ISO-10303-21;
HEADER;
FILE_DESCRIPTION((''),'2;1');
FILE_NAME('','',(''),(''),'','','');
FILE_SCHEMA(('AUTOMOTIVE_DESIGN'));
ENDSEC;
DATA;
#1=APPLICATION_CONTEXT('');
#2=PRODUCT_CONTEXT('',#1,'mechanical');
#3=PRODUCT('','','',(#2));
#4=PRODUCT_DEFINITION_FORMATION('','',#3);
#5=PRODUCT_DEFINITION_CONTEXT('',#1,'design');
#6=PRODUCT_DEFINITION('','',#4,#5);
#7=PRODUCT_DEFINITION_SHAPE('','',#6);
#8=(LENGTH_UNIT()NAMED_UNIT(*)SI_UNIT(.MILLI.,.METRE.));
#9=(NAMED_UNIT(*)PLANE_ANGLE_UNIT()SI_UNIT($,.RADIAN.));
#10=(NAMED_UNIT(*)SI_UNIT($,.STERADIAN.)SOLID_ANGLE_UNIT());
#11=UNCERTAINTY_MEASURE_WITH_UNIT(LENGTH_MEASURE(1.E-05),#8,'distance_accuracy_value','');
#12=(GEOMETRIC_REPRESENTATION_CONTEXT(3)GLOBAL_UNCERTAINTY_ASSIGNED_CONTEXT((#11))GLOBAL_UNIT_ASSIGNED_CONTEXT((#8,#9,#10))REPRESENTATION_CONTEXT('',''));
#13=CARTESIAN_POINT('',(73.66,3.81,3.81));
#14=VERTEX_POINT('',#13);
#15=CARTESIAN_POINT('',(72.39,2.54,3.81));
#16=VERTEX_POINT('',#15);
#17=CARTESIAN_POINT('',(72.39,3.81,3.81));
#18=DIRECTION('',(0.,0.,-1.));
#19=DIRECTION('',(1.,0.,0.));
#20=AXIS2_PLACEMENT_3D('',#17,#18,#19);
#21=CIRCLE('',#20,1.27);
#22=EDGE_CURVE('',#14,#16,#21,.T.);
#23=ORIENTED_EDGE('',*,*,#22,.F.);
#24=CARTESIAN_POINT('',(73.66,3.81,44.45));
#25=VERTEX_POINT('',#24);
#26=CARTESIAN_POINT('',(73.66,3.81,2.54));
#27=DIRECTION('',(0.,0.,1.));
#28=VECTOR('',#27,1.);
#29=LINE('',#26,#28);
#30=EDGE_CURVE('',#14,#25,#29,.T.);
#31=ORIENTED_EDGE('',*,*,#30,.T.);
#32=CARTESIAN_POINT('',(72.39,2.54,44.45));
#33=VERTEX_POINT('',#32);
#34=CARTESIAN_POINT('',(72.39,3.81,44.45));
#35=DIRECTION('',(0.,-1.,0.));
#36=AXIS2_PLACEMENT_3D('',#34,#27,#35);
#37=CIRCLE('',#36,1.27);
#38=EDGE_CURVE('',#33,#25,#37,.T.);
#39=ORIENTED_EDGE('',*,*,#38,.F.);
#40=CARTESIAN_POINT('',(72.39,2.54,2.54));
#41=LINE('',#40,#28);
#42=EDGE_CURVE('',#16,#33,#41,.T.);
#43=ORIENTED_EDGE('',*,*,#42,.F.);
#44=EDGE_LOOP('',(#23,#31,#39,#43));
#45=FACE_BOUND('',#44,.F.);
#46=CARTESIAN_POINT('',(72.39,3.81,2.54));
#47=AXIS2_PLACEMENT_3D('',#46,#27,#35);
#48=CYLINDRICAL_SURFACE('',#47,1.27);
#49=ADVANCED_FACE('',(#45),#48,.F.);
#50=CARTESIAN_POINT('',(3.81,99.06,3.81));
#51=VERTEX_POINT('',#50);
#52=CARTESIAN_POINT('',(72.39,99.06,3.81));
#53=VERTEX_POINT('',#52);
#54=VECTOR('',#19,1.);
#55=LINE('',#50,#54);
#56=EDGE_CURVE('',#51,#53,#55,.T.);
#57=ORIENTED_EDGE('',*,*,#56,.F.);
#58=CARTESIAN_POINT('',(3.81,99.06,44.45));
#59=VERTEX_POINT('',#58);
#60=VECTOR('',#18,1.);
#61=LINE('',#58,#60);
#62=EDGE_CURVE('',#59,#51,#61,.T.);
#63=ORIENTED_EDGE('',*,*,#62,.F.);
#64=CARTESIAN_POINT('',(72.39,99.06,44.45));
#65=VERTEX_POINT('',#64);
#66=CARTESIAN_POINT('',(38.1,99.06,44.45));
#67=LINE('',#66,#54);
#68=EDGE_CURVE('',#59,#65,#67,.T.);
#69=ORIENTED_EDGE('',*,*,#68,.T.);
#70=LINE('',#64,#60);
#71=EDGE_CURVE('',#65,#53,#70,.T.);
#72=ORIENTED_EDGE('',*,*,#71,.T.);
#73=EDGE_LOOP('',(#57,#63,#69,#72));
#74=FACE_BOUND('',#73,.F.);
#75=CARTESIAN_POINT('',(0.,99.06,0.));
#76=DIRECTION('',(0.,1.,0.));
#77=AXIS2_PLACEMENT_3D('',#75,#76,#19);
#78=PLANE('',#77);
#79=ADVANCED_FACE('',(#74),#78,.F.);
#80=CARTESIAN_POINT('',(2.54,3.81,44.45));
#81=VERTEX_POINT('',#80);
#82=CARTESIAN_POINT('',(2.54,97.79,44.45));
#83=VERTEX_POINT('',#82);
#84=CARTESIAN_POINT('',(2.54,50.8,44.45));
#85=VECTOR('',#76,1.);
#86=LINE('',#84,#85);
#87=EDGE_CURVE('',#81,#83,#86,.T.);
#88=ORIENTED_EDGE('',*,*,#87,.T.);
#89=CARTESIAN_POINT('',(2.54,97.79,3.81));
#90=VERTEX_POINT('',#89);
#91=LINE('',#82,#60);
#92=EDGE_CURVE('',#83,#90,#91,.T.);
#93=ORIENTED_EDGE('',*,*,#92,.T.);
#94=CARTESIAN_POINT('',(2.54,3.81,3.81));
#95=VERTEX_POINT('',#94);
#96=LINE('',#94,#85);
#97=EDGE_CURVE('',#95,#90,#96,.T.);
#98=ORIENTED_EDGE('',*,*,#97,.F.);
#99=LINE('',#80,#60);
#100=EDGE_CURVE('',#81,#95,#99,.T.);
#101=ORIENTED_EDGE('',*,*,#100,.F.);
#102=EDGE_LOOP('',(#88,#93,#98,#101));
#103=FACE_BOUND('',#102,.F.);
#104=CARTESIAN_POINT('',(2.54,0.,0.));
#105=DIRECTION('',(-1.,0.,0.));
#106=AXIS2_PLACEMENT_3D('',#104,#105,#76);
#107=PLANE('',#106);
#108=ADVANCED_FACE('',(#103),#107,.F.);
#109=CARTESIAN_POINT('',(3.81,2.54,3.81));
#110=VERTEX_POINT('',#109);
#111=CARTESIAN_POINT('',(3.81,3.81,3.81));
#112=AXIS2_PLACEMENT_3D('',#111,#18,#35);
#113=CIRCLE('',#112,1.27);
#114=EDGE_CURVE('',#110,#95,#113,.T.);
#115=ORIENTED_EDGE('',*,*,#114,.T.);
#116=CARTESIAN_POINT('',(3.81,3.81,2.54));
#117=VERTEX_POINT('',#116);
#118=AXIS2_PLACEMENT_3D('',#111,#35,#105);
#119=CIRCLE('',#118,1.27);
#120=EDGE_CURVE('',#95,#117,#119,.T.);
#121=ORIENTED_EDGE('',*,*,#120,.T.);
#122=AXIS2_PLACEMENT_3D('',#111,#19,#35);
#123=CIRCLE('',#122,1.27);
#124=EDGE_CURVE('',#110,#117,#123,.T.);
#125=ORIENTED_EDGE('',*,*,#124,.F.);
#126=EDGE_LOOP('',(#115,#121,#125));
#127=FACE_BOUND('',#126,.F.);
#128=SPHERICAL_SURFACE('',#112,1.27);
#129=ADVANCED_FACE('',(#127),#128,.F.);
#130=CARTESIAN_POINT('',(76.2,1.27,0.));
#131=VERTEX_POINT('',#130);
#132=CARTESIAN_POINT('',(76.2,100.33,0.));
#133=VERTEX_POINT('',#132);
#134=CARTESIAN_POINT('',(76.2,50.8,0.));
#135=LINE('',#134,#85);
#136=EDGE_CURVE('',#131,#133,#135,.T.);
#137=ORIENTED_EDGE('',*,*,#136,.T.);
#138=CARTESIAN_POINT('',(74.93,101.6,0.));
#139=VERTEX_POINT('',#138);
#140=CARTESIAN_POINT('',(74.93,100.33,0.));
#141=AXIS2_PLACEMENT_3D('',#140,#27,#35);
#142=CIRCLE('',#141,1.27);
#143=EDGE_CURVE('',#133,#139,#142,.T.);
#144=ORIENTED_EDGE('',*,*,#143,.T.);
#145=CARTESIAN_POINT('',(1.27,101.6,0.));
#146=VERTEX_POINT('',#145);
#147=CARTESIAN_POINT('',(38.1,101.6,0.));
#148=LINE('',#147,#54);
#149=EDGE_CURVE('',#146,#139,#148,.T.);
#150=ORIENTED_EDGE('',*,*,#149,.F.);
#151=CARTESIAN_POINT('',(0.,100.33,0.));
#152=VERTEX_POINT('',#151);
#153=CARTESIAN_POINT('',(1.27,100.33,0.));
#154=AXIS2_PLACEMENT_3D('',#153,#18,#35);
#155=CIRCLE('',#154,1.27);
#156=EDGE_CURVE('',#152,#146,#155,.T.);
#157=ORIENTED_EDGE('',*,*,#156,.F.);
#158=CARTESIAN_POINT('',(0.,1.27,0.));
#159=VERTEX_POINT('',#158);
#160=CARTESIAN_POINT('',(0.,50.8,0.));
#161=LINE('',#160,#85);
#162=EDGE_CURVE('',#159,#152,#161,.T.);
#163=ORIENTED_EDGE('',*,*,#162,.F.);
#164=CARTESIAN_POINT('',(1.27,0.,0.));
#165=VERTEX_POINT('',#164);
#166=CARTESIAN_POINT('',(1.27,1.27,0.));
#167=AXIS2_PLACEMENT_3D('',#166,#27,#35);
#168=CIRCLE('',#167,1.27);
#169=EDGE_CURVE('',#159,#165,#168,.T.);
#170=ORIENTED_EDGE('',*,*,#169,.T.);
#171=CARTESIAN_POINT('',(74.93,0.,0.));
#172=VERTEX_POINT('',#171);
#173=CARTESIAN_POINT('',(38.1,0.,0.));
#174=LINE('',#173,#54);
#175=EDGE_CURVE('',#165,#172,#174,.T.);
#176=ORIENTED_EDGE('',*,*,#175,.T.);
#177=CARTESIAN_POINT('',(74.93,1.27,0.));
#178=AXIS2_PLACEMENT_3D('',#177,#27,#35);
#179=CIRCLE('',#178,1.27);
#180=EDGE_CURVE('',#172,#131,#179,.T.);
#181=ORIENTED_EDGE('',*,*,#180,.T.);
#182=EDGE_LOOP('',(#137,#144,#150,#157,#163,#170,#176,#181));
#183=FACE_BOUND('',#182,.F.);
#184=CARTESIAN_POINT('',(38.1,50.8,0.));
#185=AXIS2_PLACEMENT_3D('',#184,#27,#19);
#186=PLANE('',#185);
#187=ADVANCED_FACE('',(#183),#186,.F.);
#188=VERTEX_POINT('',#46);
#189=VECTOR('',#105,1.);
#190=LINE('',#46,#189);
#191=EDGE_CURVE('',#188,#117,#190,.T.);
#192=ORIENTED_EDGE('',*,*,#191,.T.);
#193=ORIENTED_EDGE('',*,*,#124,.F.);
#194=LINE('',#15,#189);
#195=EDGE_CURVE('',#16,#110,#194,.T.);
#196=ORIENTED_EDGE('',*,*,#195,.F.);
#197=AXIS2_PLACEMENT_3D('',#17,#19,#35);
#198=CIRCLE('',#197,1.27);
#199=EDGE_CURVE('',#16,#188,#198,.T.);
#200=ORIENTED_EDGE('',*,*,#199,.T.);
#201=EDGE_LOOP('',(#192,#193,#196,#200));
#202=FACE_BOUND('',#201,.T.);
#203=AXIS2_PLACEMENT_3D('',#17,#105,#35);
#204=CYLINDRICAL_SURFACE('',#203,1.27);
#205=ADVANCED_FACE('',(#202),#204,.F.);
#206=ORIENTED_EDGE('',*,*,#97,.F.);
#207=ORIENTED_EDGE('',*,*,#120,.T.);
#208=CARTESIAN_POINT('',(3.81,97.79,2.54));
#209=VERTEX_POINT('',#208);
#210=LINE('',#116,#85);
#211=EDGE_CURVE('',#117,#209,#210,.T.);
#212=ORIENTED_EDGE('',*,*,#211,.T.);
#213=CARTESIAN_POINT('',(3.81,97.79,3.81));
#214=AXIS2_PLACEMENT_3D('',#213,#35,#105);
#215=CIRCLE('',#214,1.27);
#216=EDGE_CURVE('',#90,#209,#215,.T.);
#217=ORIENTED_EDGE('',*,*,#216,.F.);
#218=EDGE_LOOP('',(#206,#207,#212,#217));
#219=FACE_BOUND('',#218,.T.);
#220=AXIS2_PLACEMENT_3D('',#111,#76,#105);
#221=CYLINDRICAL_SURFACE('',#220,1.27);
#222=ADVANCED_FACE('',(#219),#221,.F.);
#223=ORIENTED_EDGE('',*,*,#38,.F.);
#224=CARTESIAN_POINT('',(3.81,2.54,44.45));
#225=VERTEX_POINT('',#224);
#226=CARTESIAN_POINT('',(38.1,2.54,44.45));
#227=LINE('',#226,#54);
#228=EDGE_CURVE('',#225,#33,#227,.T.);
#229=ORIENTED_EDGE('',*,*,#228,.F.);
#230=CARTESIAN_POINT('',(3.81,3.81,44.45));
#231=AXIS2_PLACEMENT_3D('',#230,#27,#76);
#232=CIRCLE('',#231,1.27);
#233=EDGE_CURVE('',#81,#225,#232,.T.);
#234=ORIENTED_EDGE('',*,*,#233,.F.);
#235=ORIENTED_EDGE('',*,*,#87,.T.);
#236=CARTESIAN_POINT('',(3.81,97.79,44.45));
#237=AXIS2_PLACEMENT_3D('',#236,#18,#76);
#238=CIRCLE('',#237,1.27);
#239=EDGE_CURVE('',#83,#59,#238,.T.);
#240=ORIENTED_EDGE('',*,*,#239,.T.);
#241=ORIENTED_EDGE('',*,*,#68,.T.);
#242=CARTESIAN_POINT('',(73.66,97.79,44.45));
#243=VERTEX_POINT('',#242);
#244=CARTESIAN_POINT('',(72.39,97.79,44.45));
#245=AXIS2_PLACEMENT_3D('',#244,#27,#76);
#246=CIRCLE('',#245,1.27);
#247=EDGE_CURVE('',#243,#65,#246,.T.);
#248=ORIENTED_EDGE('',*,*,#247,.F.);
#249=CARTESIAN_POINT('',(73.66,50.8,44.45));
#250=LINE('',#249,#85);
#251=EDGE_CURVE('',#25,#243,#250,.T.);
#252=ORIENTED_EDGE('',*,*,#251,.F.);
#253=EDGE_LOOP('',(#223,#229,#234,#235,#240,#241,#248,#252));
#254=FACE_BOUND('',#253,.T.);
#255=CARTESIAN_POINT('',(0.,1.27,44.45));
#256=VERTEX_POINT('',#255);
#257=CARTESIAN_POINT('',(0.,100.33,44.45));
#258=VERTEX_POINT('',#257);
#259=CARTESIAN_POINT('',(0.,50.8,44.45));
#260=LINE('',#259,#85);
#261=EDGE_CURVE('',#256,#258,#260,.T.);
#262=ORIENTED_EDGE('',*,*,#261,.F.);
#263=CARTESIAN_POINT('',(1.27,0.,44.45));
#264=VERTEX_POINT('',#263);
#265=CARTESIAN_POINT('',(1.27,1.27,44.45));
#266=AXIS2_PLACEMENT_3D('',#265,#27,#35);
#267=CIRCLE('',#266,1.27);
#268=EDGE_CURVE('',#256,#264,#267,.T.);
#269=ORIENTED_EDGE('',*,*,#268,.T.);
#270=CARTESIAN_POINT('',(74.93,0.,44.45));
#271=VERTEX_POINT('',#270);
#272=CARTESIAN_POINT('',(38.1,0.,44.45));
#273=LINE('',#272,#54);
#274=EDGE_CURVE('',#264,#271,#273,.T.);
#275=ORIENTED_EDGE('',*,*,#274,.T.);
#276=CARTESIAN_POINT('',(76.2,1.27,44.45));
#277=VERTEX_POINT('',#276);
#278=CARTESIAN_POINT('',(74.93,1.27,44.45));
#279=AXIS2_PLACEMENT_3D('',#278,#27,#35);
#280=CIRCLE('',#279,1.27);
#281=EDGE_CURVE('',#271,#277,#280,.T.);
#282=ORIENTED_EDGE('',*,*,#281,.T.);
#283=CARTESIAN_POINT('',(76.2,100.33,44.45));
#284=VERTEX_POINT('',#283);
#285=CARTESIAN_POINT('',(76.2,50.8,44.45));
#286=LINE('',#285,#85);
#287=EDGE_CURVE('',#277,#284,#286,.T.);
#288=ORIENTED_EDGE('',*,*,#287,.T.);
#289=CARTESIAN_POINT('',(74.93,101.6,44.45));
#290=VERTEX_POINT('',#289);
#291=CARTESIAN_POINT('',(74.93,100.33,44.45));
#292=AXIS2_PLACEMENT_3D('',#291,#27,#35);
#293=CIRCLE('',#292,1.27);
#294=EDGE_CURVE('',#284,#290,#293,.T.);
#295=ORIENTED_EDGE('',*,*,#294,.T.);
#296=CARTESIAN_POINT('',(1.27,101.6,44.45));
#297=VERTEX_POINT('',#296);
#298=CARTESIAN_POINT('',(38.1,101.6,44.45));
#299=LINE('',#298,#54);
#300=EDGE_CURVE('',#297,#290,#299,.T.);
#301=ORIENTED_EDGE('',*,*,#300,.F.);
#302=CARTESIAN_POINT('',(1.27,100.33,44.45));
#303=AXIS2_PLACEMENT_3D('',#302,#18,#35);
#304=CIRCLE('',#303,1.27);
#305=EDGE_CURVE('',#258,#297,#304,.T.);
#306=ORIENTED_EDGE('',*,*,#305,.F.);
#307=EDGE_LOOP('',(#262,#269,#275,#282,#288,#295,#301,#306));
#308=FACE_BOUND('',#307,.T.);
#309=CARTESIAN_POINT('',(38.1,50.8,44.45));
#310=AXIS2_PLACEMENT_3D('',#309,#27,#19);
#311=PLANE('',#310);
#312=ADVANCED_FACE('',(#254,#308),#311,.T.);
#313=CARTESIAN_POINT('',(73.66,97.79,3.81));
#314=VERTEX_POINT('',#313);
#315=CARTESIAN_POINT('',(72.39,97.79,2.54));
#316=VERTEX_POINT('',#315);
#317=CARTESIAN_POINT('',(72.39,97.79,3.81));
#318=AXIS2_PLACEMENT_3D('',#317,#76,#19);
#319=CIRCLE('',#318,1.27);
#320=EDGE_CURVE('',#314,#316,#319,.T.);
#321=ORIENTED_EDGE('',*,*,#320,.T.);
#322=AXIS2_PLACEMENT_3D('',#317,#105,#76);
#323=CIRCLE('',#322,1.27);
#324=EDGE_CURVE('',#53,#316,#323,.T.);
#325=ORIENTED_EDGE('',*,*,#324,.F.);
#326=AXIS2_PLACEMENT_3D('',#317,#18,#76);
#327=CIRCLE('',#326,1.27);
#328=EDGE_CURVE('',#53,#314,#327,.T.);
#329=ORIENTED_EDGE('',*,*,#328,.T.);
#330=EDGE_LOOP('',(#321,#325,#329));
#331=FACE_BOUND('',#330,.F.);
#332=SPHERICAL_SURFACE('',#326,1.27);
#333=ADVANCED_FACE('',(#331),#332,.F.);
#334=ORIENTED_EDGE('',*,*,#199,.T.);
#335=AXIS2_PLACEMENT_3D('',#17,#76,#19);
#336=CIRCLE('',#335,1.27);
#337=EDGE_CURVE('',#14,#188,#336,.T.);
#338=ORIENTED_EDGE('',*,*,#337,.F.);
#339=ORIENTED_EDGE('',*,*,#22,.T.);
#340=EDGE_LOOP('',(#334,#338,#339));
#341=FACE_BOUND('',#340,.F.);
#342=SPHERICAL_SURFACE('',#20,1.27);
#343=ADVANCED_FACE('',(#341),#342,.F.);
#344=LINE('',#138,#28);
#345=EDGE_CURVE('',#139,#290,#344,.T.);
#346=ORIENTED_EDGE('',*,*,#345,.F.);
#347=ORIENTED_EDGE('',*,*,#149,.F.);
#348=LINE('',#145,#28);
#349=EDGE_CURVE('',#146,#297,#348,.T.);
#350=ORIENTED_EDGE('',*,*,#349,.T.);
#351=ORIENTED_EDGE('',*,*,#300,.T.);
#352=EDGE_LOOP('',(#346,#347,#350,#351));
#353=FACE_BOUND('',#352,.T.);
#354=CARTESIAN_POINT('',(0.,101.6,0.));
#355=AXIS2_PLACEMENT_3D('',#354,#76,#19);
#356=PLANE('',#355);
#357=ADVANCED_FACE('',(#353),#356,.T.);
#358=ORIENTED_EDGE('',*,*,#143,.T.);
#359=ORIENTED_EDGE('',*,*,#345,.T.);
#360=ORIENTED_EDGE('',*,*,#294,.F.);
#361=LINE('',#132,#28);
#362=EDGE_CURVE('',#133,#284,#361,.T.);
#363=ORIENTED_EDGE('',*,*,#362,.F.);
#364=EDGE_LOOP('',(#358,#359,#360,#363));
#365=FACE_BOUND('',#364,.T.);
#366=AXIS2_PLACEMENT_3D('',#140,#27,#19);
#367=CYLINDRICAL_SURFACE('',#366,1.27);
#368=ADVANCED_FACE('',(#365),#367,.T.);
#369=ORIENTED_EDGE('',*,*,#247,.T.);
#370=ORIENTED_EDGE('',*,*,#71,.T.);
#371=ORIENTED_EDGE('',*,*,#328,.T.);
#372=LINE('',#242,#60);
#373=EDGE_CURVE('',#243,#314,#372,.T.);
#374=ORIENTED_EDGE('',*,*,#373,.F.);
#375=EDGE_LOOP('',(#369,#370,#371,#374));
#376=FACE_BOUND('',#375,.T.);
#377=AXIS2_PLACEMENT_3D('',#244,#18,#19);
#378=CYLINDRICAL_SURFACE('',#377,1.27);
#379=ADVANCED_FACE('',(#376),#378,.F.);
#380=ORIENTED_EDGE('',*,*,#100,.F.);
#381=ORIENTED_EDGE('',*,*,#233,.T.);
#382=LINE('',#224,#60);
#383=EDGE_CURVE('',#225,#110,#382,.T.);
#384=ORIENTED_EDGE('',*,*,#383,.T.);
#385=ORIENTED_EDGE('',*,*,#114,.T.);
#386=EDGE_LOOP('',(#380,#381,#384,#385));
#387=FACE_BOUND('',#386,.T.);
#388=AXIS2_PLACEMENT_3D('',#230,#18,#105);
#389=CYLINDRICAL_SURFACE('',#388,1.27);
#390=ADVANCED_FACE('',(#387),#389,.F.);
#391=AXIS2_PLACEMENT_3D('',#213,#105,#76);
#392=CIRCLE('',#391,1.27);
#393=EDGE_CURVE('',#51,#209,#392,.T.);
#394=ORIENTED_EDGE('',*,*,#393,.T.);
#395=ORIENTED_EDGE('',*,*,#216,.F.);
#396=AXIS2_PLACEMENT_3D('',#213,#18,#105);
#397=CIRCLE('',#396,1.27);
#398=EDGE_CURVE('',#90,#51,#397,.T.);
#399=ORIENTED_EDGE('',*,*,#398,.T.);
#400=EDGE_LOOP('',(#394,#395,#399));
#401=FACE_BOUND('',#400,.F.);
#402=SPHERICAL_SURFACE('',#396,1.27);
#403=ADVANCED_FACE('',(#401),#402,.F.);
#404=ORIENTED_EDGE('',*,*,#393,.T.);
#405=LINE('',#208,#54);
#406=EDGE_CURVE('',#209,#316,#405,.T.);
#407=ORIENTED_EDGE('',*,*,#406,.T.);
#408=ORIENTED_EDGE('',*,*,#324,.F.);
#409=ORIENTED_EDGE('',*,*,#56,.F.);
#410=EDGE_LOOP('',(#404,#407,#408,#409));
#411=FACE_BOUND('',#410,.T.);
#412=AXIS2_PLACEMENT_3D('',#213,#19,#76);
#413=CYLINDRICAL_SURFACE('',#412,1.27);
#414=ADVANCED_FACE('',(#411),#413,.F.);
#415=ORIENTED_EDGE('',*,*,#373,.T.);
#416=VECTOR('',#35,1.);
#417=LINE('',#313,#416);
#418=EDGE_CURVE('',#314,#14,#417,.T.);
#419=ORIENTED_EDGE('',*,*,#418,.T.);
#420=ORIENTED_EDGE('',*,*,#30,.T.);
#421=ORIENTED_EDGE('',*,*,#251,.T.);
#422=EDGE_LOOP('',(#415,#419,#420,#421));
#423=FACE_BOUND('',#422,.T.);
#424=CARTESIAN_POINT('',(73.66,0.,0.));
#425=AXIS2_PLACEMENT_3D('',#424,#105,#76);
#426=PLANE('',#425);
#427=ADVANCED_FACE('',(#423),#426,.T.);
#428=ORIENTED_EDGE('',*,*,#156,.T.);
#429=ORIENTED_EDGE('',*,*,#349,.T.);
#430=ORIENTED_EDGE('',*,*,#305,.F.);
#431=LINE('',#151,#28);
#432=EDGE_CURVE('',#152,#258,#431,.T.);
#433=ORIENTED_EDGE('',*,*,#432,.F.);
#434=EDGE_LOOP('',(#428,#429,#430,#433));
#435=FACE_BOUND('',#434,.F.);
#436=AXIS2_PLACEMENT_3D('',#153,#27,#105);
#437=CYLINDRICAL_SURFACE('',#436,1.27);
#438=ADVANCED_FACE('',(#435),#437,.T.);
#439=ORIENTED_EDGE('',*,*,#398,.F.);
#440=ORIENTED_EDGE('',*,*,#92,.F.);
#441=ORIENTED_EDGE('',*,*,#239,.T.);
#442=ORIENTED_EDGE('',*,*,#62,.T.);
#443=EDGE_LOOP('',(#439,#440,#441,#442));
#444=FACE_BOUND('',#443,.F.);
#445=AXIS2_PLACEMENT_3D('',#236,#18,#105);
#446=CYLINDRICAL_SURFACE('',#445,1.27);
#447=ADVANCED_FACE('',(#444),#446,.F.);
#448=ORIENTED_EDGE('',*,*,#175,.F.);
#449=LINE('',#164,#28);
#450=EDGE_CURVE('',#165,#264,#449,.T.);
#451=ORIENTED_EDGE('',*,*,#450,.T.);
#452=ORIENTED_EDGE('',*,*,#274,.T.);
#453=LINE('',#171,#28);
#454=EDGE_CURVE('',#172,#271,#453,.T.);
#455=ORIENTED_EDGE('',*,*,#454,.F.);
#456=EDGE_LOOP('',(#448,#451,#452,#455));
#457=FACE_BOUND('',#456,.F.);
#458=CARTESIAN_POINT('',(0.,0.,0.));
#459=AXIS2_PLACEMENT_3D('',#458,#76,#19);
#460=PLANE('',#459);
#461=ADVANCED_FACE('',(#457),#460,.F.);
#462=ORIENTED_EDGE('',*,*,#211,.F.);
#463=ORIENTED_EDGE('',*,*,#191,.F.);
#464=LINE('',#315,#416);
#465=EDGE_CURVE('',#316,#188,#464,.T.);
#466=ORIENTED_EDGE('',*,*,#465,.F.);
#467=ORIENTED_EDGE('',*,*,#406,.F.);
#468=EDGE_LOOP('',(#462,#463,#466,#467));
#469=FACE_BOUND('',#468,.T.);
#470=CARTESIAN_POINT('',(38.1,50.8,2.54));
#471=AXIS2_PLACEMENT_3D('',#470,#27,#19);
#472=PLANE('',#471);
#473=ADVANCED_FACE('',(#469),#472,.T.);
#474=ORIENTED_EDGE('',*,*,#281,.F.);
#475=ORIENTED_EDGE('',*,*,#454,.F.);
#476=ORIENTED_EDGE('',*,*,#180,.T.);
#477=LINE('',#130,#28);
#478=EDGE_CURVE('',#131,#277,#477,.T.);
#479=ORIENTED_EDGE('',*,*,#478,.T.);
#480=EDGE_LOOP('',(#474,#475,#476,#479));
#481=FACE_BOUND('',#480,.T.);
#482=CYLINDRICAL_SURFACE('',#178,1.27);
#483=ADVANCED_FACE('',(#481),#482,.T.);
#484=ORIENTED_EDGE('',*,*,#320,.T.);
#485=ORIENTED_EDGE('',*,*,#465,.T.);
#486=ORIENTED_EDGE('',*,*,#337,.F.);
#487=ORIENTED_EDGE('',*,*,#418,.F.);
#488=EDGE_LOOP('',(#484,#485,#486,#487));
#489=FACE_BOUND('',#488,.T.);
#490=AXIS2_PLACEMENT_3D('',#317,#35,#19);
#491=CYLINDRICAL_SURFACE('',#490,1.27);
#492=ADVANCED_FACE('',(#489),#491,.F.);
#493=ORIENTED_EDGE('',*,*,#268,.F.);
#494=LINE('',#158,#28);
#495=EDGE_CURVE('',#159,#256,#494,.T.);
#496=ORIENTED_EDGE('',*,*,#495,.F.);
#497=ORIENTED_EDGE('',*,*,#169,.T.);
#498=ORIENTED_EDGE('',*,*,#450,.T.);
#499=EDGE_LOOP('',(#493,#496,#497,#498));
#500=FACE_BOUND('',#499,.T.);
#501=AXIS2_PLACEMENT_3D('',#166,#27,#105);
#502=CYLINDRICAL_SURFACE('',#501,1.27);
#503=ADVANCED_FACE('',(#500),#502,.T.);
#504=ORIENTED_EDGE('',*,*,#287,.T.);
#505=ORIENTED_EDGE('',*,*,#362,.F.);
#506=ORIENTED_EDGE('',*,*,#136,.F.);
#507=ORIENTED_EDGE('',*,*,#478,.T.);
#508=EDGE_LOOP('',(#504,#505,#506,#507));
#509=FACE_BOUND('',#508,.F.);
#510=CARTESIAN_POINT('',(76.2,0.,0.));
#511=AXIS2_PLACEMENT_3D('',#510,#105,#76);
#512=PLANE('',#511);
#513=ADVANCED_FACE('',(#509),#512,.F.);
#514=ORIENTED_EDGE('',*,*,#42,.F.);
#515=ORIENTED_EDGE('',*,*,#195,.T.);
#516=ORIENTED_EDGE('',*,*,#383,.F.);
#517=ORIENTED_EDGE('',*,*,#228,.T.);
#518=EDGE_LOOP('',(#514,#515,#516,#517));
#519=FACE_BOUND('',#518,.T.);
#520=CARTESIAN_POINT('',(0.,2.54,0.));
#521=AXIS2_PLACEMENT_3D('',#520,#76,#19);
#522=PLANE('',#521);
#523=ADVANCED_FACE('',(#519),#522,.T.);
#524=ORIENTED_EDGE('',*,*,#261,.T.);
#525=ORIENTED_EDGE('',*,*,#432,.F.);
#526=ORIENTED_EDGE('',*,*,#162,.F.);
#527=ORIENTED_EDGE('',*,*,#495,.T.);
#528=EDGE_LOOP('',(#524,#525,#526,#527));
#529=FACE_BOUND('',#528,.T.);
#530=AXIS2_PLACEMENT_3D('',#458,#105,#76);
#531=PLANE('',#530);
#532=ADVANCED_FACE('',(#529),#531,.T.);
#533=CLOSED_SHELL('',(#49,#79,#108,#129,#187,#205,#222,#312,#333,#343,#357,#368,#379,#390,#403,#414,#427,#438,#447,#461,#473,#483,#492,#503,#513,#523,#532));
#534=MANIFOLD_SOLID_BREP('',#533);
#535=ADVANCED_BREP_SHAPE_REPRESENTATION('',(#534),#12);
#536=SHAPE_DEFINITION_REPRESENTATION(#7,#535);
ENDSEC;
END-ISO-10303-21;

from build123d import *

# Parameters (mm, degrees)
F0_W     = 76.2
F0_H     = 101.6
F1_DEPTH = 44.45
F2_T     = -2.54
F3_R     = 1.27
F4_R     = 1.27


with BuildPart() as f1:
    # F0 (on Top) → F1 (new body)
    with BuildSketch(Plane.XY):
        with Locations((38.1, 50.8)):
            Rectangle(F0_W, F0_H)
    extrude(amount=F1_DEPTH)

    # F2
    f2_openings = [f1.faces().sort_by_distance(p)[0] for p in [
        (38.1, 50.8, 44.45),
    ]]
    offset(amount=F2_T, openings=f2_openings)

    # F3
    f3_edges = [f1.edges().sort_by_distance(p)[0] for p in [
        (2.54, 2.54, 23.495),
        (2.54, 99.06, 23.495),
        (73.66, 2.54, 23.495),
        (73.66, 99.06, 23.495),
        (0, 0, 22.225),
        (0, 101.6, 22.225),
        (76.2, 0, 22.225),
        (76.2, 101.6, 22.225),
    ]]
    fillet(f3_edges, radius=F3_R)

    # F4
    f4_edges = [f1.edges().sort_by_distance(p)[0] for p in [
        (2.54, 50.8, 2.54),
        (2.911974, 98.688026, 2.54),
        (2.911974, 2.911974, 2.54),
        (38.1, 99.06, 2.54),
        (38.1, 2.54, 2.54),
        (73.288026, 98.688026, 2.54),
        (73.288026, 2.911974, 2.54),
        (73.66, 50.8, 2.54),
    ]]
    fillet(f4_edges, radius=F4_R)


solid = f1.part
